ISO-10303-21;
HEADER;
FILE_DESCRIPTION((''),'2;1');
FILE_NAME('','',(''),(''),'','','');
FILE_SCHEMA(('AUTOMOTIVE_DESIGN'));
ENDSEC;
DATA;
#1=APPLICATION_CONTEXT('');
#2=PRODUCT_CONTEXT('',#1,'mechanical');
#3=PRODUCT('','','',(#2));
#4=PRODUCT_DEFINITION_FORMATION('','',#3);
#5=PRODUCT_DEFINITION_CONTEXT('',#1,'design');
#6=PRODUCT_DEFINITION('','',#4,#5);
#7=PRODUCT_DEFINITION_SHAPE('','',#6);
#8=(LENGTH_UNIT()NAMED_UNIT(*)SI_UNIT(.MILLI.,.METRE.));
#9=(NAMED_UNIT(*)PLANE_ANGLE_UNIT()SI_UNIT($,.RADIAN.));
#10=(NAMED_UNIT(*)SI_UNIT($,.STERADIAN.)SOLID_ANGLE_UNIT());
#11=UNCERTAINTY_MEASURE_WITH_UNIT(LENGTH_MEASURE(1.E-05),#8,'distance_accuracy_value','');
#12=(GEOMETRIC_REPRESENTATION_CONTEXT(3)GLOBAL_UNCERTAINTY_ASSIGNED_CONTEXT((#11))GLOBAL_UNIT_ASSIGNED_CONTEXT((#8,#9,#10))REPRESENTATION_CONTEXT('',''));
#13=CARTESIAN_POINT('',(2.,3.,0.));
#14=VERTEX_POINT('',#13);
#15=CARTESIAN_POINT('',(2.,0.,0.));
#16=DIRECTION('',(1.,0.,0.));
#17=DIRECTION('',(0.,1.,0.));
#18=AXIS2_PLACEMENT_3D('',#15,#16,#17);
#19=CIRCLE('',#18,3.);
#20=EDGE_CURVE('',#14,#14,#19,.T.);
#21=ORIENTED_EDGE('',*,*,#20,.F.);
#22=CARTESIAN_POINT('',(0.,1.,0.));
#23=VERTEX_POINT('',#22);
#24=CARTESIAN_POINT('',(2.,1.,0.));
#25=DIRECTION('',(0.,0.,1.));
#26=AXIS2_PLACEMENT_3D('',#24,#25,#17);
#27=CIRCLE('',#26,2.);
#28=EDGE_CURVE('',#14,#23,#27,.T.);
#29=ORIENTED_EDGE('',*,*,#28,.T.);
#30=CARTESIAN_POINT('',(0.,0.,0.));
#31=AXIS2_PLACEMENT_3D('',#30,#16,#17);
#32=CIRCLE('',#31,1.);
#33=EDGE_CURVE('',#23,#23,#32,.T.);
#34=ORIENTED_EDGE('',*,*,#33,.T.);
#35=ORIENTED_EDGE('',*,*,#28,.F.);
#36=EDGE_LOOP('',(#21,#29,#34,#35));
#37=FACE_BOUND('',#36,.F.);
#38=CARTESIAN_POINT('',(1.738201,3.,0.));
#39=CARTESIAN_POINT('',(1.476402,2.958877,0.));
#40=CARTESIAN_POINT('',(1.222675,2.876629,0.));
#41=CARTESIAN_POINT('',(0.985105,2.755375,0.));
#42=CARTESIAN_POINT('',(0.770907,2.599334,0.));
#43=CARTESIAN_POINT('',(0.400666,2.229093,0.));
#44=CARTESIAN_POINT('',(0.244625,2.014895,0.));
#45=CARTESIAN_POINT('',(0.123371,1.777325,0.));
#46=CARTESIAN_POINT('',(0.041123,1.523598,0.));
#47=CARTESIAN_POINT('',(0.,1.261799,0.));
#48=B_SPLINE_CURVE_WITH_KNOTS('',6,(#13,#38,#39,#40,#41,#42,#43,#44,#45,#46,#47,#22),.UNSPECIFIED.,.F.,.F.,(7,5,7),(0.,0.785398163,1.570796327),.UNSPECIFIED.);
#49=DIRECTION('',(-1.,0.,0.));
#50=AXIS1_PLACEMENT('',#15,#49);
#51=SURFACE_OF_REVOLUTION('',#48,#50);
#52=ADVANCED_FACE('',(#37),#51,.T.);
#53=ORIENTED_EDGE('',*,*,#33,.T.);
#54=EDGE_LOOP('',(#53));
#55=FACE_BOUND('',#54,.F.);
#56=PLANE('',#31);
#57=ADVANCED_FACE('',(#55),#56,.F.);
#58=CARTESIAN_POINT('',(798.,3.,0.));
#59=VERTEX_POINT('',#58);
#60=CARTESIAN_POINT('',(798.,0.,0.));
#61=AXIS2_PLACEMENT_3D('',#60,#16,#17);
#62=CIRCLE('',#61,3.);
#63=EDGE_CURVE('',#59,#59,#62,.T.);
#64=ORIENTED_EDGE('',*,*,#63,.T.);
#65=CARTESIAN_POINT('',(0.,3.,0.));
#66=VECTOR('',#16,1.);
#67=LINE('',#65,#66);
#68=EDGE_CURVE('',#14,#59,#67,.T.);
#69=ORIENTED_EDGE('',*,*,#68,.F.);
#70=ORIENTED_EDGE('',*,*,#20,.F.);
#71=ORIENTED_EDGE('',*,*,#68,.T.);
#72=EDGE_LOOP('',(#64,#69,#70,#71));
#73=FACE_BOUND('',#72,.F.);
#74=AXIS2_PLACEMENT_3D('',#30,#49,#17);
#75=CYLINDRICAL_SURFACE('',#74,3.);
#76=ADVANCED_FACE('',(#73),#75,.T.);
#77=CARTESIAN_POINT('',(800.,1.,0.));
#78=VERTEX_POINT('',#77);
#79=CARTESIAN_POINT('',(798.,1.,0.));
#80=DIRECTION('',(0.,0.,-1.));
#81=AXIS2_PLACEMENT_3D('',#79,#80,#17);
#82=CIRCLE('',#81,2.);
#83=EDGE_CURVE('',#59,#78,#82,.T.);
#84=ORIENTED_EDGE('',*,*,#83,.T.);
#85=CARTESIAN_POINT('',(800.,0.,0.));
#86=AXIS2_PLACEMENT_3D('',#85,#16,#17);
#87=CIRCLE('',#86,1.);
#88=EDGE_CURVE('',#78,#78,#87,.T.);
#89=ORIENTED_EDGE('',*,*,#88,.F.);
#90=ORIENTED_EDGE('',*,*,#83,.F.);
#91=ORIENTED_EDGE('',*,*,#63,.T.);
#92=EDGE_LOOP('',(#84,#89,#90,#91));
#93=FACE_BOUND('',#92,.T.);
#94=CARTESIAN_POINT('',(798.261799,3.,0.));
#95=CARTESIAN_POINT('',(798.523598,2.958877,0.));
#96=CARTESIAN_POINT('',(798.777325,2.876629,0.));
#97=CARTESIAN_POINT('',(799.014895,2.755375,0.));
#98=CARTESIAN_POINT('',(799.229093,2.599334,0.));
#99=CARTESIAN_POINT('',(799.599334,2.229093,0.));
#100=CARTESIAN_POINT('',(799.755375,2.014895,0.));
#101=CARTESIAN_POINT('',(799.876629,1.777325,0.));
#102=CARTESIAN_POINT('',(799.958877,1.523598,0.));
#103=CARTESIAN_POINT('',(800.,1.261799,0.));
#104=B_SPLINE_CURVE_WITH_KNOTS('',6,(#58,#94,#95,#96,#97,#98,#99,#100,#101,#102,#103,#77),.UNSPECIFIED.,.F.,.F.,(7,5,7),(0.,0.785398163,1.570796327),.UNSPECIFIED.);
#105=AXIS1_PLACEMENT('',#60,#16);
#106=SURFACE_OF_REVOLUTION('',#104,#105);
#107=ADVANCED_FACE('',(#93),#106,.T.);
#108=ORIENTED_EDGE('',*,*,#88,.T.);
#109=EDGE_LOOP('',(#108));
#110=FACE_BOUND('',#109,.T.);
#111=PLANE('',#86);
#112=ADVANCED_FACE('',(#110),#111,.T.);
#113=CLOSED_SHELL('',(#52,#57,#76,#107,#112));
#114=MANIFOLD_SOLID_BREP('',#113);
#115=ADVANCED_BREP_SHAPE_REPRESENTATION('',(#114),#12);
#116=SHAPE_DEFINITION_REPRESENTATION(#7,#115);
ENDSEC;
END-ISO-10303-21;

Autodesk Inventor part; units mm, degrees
ref_plane "YZ Plane" through (0, 0, 0) normal (1, 0, 0) x (0, 1, 0)
ref_plane "XZ Plane" through (0, 0, 0) normal (0, 1, 0) x (-1, 0, 0)
ref_plane "XY Plane" through (0, 0, 0) normal (0, 0, 1) x (1, 0, 0)
sketch "草图1" plane through (0, 0, 0) normal (1, 0, 0) x (0, 1, 0)
  circle A0 centre (0, 0) radius 3
  dimension "d0" = 6
extrude "拉伸1" add sketch "草图1" along normal blind 800
fillet "圆角1" radius 2 2 edges at (800, -3, 0) (0, -3, 0)
properties part number "长轴"
